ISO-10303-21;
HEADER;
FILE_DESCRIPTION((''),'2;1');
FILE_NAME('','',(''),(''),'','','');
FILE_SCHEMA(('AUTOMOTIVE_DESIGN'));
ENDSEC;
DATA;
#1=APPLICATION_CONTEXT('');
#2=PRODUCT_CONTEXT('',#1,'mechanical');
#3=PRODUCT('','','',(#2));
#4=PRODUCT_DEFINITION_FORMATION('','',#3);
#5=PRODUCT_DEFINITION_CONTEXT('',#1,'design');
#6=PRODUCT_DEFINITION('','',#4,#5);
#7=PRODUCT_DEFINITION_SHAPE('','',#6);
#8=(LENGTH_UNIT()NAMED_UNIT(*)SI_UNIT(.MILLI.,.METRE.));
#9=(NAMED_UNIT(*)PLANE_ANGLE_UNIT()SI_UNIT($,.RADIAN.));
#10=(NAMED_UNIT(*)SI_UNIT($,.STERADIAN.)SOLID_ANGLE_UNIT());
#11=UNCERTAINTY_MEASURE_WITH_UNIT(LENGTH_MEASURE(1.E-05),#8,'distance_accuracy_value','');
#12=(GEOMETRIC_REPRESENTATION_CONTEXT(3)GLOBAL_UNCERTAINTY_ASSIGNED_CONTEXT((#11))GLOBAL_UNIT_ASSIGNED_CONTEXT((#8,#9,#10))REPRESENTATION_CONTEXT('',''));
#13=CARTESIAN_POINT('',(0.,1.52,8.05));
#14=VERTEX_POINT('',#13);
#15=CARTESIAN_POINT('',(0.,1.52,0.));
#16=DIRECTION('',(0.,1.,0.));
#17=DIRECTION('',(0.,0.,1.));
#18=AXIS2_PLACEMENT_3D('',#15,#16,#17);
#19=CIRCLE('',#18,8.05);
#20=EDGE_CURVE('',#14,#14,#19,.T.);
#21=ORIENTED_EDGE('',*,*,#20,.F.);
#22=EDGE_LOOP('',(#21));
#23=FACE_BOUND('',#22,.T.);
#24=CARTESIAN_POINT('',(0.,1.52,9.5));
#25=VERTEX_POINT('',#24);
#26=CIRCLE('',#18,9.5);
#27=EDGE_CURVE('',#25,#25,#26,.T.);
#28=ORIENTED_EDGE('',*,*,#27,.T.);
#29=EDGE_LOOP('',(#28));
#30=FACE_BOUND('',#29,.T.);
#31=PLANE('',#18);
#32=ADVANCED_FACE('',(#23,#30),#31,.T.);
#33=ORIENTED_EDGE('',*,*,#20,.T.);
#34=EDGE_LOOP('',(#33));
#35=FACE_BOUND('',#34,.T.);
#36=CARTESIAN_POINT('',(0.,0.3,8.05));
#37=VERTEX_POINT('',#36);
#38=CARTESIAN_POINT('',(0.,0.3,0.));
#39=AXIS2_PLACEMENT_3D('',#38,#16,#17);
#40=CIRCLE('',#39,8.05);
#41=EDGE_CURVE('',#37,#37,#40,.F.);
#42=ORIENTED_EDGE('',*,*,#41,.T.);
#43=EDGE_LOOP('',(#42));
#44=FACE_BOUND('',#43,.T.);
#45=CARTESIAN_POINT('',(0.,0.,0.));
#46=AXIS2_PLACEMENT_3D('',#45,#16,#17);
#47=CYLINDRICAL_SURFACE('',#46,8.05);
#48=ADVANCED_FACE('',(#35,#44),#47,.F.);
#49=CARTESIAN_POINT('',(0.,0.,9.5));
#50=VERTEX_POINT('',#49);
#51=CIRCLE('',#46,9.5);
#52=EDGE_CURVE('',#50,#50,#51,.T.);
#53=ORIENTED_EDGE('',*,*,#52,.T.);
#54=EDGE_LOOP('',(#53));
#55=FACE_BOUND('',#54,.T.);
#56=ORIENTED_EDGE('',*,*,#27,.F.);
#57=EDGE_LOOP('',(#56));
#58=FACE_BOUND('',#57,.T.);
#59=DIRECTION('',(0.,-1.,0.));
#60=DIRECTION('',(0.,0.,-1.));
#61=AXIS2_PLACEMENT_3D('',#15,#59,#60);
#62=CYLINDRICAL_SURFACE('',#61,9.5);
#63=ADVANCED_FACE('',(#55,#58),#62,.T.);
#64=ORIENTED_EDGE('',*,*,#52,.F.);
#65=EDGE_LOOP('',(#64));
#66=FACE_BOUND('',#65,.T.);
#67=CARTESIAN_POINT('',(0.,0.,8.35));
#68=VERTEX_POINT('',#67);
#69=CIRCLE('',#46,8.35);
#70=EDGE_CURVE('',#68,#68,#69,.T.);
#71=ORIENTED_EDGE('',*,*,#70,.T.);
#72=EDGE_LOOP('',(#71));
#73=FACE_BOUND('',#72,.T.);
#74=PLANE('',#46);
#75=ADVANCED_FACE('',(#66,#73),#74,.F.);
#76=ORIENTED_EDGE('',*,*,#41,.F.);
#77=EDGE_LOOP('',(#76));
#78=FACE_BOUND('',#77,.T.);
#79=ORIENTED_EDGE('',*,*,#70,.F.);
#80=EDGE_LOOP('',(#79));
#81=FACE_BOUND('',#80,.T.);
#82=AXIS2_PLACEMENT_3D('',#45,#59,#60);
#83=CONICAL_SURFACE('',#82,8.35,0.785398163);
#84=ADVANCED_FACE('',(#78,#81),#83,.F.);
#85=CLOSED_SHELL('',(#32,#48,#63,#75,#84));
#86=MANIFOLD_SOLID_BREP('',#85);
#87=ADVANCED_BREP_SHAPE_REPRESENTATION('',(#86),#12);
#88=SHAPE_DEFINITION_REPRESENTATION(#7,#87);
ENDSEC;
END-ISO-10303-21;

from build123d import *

# Parameters (mm, degrees)
SKETCH1_R           = 9.5
BOSS_EXTRUDE1_DEPTH = 1.52
SKETCH2_R           = 8.05
CUT_EXTRUDE1_DEPTH  = 2.52
CHAMFER1_SIZE       = 0.3


with BuildPart() as part:
    # Sketch1 → Boss-Extrude1 (new body)
    with BuildSketch(Plane(origin=(0, 0, 0), x_dir=(1, 0, 0), z_dir=(0, 1, 0))):
        Circle(SKETCH1_R)
    extrude(amount=BOSS_EXTRUDE1_DEPTH)

    # Sketch2 → Cut-Extrude1 (cut, through all)
    with BuildSketch(Plane(origin=(0, 1.52, 0), x_dir=(1, 0, 0), z_dir=(0, 1, 0))):
        Circle(SKETCH2_R)
    extrude(amount=-CUT_EXTRUDE1_DEPTH, mode=Mode.SUBTRACT)

    # Chamfer1
    chamfer1_edges = [part.edges().sort_by_distance(p)[0] for p in [
        (-8.05, 0, 0),
    ]]
    chamfer(chamfer1_edges, length=CHAMFER1_SIZE)


solid = part.part
